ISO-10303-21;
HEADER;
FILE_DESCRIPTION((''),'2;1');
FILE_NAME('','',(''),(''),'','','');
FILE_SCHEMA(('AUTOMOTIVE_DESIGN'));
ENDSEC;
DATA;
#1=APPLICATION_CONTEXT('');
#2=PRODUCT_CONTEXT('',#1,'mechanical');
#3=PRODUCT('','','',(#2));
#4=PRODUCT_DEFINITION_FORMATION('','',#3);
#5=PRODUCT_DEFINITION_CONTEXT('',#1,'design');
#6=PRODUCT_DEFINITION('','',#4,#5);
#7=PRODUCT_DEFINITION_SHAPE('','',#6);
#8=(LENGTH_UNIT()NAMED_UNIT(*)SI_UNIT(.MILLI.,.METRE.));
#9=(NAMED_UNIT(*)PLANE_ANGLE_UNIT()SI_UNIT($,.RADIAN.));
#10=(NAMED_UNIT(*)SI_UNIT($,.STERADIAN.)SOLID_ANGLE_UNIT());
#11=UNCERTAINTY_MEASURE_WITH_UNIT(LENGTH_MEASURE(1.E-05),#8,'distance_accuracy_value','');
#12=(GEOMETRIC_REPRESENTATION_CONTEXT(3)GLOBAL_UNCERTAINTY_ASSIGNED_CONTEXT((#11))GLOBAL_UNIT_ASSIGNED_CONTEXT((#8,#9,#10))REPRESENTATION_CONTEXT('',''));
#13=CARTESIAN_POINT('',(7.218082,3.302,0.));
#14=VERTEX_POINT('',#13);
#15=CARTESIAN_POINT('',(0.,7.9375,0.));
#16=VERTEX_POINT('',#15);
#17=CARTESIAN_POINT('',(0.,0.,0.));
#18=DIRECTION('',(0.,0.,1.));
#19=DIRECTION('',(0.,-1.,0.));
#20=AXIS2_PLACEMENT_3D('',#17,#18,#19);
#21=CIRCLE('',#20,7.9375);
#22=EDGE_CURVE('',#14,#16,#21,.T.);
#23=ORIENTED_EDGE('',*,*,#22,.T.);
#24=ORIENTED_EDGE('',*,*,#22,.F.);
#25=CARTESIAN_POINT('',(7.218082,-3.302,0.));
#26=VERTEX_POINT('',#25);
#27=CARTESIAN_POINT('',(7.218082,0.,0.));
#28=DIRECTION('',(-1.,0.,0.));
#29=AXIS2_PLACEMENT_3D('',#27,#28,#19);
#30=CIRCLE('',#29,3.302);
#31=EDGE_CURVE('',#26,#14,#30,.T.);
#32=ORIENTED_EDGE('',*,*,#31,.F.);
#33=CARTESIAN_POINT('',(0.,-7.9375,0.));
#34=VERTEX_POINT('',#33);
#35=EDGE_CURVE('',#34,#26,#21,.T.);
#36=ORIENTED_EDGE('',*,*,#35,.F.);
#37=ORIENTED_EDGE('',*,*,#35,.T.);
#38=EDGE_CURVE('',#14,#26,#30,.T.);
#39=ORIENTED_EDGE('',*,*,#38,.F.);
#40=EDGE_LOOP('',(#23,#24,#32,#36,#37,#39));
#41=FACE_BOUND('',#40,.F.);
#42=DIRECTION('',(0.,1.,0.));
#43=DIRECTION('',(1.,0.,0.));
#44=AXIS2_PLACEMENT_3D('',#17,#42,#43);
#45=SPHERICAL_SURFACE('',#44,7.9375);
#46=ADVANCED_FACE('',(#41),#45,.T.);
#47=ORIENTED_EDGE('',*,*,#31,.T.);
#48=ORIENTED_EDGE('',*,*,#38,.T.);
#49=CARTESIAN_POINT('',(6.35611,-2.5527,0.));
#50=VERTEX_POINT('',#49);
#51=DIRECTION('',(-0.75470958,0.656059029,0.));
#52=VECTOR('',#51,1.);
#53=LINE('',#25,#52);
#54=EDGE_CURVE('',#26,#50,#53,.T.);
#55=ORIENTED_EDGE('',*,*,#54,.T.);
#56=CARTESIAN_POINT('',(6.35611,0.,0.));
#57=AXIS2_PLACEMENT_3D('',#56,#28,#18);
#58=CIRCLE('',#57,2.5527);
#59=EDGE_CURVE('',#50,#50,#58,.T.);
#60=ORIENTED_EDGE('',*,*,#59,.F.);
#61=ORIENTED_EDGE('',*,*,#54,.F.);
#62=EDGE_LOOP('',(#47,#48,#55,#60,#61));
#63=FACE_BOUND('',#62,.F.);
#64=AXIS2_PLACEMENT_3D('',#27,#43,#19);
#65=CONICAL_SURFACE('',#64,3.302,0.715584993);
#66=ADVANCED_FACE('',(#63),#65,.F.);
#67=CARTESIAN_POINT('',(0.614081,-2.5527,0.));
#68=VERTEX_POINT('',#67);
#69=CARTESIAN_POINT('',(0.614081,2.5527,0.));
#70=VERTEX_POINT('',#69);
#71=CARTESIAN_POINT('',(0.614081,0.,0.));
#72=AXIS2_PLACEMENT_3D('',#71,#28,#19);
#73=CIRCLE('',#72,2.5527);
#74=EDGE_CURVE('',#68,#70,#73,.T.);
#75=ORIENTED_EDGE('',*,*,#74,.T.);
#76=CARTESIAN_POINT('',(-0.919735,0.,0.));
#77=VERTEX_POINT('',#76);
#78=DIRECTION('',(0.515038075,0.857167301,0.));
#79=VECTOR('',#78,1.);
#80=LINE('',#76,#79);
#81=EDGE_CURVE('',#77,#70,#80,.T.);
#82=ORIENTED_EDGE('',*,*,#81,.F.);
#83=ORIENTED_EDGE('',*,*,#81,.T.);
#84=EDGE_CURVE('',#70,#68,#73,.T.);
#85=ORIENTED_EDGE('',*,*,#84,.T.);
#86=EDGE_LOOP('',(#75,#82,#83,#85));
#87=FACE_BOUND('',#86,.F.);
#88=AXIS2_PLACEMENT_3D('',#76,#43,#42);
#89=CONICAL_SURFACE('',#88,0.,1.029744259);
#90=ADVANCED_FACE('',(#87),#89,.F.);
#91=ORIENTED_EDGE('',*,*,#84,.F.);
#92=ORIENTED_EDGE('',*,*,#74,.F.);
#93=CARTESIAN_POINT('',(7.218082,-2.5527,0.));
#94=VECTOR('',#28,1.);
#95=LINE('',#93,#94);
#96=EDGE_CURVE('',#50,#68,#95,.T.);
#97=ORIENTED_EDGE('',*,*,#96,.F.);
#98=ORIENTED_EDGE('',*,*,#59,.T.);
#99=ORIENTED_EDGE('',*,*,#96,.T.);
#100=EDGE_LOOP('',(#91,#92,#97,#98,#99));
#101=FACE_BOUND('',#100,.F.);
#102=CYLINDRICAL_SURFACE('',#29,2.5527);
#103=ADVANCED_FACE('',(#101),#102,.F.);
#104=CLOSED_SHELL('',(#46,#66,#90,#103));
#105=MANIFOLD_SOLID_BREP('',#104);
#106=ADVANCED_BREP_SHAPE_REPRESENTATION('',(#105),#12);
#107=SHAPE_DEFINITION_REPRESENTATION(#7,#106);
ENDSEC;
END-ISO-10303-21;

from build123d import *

# Parameters (mm, degrees)
F4_D           = 5.1054
F4_DEPTH       = 6.604
F4_START       = 0.7194185
F4_CSINK_D     = 6.604
F4_CSINK_ANGLE = 82
F4_TIP         = 1.5338169022


with BuildPart() as f1:
    # F0 (on Top) → F1 (revolve)
    with BuildSketch(Plane.XY):
        with BuildLine():
            Line((0, 7.9375), (0, -7.9375))
            ThreePointArc((0, -7.9375), (7.9375, 0), (0, 7.9375))
        make_face()
    revolve(axis=Axis((0, 0, 0), (0, -1, 0)))

    # F4
    # its depths count from where the whole tool has entered the part; down to there all is cleared
    with Locations(Plane.YZ.offset(7.9375).offset(-F4_START)):
        with Locations((0, 0)):
            CounterSinkHole(F4_D / 2, F4_CSINK_D / 2, depth=F4_DEPTH, counter_sink_angle=F4_CSINK_ANGLE)
            with Locations((0, 0, -(F4_DEPTH + F4_TIP / 2))):  # 118° drill point
                Cone(0, F4_D / 2, F4_TIP, mode=Mode.SUBTRACT)


solid = f1.part
